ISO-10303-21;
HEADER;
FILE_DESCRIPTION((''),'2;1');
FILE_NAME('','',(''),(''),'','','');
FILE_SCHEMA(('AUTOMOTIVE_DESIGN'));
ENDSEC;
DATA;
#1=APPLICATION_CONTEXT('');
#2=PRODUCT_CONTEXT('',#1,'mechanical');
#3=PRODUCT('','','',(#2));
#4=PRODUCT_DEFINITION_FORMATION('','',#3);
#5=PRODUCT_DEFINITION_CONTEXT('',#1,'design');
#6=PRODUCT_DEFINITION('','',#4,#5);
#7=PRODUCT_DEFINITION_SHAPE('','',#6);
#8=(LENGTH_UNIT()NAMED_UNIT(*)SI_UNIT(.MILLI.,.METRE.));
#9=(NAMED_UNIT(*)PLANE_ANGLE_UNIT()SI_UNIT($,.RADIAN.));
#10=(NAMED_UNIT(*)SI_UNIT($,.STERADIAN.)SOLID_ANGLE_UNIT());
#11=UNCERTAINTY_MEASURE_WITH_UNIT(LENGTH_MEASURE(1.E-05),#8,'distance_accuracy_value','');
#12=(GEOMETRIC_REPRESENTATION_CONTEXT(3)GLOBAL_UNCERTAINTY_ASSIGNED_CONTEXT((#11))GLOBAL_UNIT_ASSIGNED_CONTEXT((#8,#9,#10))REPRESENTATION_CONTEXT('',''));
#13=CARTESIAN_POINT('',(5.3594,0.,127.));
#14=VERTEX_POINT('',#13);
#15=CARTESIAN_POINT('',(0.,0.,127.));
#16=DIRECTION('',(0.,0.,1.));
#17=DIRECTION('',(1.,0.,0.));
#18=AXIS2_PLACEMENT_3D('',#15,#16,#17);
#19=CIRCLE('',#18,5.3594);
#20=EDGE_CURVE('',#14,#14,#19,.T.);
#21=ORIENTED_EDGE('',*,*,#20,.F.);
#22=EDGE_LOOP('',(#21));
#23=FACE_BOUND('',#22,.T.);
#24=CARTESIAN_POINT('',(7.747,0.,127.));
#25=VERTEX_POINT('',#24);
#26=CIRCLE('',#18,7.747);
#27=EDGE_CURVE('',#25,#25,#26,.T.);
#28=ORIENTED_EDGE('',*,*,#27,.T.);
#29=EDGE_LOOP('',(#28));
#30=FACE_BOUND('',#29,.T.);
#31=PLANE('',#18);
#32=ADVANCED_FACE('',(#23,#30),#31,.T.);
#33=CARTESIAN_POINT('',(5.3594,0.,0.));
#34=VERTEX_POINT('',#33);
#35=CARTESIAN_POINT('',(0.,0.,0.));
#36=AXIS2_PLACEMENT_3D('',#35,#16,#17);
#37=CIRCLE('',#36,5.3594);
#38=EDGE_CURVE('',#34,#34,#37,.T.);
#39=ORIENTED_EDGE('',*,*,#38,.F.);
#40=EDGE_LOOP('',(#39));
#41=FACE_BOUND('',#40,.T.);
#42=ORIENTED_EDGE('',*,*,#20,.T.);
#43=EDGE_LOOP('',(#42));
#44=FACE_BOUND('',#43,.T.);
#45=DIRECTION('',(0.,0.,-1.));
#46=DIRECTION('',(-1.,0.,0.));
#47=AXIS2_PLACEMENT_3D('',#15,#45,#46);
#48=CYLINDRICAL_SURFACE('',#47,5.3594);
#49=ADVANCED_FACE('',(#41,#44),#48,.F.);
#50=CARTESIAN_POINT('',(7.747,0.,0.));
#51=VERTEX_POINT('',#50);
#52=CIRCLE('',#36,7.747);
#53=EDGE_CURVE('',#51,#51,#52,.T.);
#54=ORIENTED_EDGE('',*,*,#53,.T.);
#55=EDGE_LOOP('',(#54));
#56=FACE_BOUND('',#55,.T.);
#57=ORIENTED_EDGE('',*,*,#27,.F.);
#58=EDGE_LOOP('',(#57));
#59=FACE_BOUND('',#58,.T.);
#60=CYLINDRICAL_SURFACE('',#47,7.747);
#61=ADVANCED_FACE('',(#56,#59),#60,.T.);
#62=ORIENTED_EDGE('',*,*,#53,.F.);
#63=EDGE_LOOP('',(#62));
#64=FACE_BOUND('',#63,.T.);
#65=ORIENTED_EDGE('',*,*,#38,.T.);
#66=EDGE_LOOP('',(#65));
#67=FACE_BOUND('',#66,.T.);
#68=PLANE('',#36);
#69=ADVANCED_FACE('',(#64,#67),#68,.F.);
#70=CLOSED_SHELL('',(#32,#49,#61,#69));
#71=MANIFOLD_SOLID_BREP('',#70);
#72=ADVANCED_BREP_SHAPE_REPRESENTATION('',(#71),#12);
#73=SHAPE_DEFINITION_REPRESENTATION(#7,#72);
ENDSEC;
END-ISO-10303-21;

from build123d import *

# Parameters (mm, degrees)
SKETCH1_R           = 7.747
SKETCH1_R_2         = 5.3594
BOSS_EXTRUDE1_DEPTH = 127


with BuildPart() as part:
    # Sketch1 → Boss-Extrude1 (new body)
    with BuildSketch(Plane.XY):
        Circle(SKETCH1_R)
        Circle(SKETCH1_R_2, mode=Mode.SUBTRACT)
    extrude(amount=BOSS_EXTRUDE1_DEPTH)


solid = part.part
